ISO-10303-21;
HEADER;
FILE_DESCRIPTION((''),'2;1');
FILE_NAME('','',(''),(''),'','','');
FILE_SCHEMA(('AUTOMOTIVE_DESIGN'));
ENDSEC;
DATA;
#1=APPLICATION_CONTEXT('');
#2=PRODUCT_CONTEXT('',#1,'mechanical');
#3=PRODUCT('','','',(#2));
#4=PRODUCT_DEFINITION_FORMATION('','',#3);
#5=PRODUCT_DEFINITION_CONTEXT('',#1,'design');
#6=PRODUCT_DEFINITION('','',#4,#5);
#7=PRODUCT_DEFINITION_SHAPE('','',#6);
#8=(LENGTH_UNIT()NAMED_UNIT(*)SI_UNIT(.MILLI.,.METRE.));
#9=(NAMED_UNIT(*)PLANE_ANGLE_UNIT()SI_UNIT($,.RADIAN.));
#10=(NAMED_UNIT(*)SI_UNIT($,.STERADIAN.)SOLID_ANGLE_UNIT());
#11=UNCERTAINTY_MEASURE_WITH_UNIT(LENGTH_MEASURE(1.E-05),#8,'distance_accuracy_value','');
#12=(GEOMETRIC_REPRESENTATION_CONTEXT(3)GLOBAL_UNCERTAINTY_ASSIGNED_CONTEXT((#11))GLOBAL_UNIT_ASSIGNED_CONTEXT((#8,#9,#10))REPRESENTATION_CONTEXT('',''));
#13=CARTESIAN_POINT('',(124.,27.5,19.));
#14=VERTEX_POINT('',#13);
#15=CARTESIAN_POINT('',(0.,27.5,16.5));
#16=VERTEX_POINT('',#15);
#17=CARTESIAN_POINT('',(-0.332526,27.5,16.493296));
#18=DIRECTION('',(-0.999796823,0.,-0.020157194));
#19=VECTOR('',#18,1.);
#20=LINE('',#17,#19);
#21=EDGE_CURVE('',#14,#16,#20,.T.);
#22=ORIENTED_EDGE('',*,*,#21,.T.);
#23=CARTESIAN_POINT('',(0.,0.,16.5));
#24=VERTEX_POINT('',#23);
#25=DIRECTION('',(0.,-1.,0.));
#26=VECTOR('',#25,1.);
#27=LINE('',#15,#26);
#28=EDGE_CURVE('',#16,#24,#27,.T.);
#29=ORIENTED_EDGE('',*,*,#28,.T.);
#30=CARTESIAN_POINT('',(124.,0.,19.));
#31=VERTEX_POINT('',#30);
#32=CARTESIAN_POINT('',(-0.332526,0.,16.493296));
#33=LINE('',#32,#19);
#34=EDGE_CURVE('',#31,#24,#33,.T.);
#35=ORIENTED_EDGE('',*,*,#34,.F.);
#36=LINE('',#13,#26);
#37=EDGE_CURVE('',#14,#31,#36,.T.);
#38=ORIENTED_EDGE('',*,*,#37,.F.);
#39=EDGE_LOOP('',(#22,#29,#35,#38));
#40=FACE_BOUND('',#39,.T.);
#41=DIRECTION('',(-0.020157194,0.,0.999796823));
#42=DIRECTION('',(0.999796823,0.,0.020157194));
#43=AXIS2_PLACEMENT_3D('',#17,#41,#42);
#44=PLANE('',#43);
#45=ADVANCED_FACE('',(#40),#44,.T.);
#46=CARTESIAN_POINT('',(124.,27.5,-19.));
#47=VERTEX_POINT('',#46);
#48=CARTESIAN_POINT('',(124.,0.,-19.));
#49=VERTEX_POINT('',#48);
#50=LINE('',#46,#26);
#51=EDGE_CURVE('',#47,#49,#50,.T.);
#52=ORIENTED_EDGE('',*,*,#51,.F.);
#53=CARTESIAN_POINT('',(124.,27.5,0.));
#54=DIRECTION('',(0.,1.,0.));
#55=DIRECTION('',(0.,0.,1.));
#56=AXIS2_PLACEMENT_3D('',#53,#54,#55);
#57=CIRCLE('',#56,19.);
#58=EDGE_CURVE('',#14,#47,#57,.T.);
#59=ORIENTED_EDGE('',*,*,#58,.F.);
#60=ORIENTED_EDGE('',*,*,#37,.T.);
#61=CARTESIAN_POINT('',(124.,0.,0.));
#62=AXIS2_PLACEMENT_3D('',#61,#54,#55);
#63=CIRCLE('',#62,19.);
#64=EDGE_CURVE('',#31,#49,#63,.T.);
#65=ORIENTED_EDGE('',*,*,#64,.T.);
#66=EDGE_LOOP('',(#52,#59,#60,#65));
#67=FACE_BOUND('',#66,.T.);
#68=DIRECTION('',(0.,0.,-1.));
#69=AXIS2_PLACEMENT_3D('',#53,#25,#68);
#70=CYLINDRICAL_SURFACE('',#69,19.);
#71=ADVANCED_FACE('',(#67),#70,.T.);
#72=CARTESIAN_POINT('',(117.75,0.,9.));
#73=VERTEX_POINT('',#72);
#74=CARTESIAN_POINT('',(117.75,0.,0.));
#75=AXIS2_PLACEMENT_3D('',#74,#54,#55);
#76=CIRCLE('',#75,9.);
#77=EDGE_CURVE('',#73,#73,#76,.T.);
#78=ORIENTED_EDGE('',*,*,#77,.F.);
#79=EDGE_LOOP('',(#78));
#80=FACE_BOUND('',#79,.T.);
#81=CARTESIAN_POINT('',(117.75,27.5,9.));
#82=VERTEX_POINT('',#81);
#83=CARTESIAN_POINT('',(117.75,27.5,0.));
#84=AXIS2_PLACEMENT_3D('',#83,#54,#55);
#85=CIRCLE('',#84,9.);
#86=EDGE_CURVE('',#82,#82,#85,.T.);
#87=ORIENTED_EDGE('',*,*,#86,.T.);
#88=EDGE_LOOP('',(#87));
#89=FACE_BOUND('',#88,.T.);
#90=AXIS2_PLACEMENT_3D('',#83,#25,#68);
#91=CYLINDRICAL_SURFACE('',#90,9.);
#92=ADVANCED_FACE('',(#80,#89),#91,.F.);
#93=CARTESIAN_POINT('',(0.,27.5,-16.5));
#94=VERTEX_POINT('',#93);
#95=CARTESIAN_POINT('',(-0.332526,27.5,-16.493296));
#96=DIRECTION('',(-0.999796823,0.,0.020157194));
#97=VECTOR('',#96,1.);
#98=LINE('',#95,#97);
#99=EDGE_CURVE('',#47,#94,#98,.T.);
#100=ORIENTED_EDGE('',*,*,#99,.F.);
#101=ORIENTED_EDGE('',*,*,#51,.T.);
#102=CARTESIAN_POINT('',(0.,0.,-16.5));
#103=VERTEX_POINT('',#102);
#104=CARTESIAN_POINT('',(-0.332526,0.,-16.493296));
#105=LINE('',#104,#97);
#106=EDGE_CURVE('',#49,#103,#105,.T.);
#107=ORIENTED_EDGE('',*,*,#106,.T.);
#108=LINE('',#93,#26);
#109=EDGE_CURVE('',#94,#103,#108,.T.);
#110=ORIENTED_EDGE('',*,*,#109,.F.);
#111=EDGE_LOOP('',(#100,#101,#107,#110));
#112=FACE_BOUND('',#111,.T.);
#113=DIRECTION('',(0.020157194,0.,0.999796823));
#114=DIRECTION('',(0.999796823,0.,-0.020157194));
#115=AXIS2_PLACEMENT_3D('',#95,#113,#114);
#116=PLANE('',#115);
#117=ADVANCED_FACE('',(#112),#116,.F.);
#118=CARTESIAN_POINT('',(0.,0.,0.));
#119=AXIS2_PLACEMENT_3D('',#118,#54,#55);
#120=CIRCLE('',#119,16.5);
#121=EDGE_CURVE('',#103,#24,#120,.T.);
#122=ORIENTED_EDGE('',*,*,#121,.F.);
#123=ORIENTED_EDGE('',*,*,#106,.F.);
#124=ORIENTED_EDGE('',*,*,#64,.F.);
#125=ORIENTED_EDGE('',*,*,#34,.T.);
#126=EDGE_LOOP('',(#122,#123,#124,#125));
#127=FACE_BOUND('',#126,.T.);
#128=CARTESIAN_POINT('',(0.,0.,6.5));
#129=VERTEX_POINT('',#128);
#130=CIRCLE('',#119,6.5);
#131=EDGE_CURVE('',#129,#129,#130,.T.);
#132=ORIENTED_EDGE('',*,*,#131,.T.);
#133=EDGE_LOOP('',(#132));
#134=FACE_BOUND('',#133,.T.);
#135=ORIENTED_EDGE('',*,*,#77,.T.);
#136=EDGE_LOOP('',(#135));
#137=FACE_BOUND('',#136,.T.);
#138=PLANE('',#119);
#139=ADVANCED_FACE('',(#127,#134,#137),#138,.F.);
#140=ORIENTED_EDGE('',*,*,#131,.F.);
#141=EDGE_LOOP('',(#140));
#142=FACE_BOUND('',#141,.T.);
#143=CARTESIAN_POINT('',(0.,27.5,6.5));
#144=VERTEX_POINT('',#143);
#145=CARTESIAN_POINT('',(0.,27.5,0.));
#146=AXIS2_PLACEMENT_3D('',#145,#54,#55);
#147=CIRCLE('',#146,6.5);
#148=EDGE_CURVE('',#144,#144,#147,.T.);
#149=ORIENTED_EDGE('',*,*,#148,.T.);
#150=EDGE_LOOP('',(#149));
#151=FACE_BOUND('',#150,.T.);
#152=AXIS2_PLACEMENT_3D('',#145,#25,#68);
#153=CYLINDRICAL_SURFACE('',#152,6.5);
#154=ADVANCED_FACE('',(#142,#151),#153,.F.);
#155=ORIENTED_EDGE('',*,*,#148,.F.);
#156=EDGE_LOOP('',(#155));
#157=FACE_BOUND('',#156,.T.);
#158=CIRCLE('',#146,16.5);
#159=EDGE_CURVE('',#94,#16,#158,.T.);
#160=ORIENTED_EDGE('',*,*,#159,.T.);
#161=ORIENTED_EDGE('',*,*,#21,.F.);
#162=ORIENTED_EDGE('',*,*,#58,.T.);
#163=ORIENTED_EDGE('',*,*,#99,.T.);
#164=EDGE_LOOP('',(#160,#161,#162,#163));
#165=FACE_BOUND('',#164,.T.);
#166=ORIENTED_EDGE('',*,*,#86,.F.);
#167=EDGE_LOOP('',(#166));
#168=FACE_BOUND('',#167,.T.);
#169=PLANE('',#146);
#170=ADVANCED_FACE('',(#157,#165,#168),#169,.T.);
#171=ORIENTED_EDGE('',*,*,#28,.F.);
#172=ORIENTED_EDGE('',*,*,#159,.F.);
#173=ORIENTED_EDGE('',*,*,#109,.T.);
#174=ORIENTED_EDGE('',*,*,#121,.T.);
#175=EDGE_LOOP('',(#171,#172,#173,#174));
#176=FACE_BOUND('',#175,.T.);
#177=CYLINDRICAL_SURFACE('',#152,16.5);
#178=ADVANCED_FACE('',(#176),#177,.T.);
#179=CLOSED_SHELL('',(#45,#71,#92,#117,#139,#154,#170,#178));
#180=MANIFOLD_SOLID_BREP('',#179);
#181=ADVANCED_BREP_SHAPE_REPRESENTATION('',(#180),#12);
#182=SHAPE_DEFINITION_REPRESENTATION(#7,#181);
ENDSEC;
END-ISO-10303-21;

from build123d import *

# Parameters (mm, degrees)
SKETCH1_R           = 6.5
SKETCH1_R_2         = 9
BOSS_EXTRUDE1_DEPTH = 27.5


with BuildPart() as part:
    # Sketch1 → Boss-Extrude1 (new body)
    with BuildSketch(Plane(origin=(0, 0, 0), x_dir=(1, 0, 0), z_dir=(0, 1, 0))):
        with BuildLine():
            ThreePointArc((124, -19), (143, 0), (124, 19))
            Line((124, 19), (123.234182256, 18.984560126))
            Line((123.234182256, 18.984560126), (0, 16.5))
            ThreePointArc((0, 16.5), (-16.5, 0), (0, -16.5))
            Line((0, -16.5), (123.234182256, -18.984560126))
            Line((123.234182256, -18.984560126), (124, -19))
        make_face()
        with Locations(Location((0, 0, 0), (0, 0, 270))):
            Circle(SKETCH1_R, mode=Mode.SUBTRACT)
        with Locations(Location((117.75, 0, 0), (0, 0, 270))):
            Circle(SKETCH1_R_2, mode=Mode.SUBTRACT)
    extrude(amount=BOSS_EXTRUDE1_DEPTH)


solid = part.part
